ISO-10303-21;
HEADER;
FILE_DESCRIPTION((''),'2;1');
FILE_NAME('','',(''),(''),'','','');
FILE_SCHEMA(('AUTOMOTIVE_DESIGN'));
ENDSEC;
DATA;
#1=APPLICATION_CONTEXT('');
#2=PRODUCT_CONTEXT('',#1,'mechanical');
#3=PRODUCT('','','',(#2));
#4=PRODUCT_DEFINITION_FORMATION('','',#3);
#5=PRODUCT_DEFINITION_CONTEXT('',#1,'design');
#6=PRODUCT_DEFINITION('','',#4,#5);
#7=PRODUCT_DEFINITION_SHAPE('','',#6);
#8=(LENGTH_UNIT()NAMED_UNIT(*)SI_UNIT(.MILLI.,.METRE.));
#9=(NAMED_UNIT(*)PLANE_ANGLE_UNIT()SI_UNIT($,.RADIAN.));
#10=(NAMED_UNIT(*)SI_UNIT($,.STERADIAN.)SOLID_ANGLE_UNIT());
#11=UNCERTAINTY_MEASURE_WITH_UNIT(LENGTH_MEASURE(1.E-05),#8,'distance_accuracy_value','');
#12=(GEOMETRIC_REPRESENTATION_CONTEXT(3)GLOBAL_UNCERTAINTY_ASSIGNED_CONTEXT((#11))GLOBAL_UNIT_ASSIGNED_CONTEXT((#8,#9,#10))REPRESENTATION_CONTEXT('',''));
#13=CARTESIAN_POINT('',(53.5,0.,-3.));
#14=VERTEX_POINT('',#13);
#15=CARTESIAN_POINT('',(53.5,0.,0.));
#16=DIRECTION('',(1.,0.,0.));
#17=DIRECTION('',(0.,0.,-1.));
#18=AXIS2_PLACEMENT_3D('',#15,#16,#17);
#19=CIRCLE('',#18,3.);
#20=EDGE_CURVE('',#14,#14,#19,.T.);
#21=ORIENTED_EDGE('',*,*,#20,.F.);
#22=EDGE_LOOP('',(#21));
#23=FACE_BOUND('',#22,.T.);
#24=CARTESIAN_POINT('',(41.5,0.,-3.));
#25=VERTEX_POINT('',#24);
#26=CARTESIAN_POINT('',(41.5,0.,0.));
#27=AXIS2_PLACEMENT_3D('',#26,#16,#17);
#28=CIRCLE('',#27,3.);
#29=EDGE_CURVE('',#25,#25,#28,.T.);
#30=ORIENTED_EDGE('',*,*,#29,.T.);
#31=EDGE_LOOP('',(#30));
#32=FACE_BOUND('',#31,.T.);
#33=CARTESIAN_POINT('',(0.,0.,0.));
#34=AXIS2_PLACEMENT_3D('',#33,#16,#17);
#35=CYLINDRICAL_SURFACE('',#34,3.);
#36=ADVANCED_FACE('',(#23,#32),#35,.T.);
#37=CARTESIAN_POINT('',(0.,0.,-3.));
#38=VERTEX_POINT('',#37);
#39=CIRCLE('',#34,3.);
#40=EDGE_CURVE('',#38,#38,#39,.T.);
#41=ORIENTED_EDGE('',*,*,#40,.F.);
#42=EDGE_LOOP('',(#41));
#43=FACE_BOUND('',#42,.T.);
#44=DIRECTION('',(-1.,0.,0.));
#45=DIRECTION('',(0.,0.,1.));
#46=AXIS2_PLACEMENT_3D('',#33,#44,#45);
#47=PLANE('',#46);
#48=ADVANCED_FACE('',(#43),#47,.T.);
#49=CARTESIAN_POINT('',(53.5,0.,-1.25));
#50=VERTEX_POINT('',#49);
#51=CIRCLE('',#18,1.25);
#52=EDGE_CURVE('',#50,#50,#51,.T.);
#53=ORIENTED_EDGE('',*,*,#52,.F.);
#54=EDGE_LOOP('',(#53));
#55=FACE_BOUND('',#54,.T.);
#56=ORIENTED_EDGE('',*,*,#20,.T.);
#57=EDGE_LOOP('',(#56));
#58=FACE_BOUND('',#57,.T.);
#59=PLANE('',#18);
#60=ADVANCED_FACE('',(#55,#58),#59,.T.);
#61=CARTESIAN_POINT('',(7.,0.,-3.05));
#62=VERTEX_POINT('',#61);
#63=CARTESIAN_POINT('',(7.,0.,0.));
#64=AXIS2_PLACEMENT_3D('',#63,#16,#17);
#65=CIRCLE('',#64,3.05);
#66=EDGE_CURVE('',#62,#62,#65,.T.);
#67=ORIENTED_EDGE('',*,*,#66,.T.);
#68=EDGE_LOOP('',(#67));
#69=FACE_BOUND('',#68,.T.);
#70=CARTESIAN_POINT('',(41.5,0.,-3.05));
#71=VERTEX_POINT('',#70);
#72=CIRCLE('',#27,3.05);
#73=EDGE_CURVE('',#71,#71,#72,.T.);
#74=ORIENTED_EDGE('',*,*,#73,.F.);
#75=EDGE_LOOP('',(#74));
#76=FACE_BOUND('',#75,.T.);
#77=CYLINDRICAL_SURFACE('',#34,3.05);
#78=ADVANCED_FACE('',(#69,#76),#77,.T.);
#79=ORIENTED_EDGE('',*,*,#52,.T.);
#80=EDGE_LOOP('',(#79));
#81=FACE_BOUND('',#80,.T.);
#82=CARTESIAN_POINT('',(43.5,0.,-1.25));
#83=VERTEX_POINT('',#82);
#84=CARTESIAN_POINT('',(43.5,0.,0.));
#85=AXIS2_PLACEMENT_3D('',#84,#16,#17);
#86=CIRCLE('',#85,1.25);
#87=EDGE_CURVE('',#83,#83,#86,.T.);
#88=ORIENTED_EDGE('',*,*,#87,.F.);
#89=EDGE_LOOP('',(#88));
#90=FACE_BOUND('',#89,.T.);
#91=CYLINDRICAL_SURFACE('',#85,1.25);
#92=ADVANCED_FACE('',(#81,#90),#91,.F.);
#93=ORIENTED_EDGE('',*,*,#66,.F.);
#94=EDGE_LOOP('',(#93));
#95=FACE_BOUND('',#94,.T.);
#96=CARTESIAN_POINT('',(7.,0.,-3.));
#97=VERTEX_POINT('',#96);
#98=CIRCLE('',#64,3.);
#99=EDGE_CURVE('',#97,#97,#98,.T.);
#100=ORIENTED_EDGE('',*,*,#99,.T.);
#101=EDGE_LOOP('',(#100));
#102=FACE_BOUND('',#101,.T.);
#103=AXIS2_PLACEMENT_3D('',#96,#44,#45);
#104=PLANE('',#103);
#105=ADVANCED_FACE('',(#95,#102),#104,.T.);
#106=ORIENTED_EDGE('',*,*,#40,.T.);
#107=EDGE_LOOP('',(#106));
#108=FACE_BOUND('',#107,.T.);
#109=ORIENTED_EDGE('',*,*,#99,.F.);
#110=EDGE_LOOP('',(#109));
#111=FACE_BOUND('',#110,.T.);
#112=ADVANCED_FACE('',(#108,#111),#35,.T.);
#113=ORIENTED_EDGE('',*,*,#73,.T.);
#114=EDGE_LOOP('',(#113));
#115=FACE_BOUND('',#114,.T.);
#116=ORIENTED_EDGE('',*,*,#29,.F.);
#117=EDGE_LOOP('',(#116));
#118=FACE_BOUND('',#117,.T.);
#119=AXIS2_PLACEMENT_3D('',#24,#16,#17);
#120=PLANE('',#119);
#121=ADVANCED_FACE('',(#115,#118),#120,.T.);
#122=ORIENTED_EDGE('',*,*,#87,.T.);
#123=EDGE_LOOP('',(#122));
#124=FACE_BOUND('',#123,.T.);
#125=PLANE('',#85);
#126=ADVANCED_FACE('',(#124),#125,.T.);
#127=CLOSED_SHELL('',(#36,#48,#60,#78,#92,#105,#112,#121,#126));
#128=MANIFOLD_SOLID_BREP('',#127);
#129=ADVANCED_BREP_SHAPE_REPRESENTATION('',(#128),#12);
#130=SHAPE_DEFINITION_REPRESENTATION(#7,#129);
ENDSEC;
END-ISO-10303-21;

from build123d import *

# Parameters (mm, degrees)
ESBO_O1_R             = 1.25
CORTE_EXTRUS_O1_DEPTH = 10


with BuildPart() as part:
    # Sketch1 → Revolve1 (revolve)
    with BuildSketch(Plane(origin=(0, 0, 0), x_dir=(1, 0, 0), z_dir=(0, 1, 0))):
        Polygon((0, 0), (7, 0), (41.5, 0), (53.5, 0), (53.5, 3), (41.5, 3), (41.5, 3.05), (7, 3.05), (7, 3), (0, 3), align=None)
    revolve(axis=Axis((0, 0, 0), (-1, 0, 0)))

    # Esboço1 → Corte-extrusão1 (cut)
    with BuildSketch(Plane(origin=(53.5, 0, 0), x_dir=(0, 0, -1), z_dir=(1, 0, 0))):
        Circle(ESBO_O1_R)
    extrude(amount=-CORTE_EXTRUS_O1_DEPTH, mode=Mode.SUBTRACT)


solid = part.part
